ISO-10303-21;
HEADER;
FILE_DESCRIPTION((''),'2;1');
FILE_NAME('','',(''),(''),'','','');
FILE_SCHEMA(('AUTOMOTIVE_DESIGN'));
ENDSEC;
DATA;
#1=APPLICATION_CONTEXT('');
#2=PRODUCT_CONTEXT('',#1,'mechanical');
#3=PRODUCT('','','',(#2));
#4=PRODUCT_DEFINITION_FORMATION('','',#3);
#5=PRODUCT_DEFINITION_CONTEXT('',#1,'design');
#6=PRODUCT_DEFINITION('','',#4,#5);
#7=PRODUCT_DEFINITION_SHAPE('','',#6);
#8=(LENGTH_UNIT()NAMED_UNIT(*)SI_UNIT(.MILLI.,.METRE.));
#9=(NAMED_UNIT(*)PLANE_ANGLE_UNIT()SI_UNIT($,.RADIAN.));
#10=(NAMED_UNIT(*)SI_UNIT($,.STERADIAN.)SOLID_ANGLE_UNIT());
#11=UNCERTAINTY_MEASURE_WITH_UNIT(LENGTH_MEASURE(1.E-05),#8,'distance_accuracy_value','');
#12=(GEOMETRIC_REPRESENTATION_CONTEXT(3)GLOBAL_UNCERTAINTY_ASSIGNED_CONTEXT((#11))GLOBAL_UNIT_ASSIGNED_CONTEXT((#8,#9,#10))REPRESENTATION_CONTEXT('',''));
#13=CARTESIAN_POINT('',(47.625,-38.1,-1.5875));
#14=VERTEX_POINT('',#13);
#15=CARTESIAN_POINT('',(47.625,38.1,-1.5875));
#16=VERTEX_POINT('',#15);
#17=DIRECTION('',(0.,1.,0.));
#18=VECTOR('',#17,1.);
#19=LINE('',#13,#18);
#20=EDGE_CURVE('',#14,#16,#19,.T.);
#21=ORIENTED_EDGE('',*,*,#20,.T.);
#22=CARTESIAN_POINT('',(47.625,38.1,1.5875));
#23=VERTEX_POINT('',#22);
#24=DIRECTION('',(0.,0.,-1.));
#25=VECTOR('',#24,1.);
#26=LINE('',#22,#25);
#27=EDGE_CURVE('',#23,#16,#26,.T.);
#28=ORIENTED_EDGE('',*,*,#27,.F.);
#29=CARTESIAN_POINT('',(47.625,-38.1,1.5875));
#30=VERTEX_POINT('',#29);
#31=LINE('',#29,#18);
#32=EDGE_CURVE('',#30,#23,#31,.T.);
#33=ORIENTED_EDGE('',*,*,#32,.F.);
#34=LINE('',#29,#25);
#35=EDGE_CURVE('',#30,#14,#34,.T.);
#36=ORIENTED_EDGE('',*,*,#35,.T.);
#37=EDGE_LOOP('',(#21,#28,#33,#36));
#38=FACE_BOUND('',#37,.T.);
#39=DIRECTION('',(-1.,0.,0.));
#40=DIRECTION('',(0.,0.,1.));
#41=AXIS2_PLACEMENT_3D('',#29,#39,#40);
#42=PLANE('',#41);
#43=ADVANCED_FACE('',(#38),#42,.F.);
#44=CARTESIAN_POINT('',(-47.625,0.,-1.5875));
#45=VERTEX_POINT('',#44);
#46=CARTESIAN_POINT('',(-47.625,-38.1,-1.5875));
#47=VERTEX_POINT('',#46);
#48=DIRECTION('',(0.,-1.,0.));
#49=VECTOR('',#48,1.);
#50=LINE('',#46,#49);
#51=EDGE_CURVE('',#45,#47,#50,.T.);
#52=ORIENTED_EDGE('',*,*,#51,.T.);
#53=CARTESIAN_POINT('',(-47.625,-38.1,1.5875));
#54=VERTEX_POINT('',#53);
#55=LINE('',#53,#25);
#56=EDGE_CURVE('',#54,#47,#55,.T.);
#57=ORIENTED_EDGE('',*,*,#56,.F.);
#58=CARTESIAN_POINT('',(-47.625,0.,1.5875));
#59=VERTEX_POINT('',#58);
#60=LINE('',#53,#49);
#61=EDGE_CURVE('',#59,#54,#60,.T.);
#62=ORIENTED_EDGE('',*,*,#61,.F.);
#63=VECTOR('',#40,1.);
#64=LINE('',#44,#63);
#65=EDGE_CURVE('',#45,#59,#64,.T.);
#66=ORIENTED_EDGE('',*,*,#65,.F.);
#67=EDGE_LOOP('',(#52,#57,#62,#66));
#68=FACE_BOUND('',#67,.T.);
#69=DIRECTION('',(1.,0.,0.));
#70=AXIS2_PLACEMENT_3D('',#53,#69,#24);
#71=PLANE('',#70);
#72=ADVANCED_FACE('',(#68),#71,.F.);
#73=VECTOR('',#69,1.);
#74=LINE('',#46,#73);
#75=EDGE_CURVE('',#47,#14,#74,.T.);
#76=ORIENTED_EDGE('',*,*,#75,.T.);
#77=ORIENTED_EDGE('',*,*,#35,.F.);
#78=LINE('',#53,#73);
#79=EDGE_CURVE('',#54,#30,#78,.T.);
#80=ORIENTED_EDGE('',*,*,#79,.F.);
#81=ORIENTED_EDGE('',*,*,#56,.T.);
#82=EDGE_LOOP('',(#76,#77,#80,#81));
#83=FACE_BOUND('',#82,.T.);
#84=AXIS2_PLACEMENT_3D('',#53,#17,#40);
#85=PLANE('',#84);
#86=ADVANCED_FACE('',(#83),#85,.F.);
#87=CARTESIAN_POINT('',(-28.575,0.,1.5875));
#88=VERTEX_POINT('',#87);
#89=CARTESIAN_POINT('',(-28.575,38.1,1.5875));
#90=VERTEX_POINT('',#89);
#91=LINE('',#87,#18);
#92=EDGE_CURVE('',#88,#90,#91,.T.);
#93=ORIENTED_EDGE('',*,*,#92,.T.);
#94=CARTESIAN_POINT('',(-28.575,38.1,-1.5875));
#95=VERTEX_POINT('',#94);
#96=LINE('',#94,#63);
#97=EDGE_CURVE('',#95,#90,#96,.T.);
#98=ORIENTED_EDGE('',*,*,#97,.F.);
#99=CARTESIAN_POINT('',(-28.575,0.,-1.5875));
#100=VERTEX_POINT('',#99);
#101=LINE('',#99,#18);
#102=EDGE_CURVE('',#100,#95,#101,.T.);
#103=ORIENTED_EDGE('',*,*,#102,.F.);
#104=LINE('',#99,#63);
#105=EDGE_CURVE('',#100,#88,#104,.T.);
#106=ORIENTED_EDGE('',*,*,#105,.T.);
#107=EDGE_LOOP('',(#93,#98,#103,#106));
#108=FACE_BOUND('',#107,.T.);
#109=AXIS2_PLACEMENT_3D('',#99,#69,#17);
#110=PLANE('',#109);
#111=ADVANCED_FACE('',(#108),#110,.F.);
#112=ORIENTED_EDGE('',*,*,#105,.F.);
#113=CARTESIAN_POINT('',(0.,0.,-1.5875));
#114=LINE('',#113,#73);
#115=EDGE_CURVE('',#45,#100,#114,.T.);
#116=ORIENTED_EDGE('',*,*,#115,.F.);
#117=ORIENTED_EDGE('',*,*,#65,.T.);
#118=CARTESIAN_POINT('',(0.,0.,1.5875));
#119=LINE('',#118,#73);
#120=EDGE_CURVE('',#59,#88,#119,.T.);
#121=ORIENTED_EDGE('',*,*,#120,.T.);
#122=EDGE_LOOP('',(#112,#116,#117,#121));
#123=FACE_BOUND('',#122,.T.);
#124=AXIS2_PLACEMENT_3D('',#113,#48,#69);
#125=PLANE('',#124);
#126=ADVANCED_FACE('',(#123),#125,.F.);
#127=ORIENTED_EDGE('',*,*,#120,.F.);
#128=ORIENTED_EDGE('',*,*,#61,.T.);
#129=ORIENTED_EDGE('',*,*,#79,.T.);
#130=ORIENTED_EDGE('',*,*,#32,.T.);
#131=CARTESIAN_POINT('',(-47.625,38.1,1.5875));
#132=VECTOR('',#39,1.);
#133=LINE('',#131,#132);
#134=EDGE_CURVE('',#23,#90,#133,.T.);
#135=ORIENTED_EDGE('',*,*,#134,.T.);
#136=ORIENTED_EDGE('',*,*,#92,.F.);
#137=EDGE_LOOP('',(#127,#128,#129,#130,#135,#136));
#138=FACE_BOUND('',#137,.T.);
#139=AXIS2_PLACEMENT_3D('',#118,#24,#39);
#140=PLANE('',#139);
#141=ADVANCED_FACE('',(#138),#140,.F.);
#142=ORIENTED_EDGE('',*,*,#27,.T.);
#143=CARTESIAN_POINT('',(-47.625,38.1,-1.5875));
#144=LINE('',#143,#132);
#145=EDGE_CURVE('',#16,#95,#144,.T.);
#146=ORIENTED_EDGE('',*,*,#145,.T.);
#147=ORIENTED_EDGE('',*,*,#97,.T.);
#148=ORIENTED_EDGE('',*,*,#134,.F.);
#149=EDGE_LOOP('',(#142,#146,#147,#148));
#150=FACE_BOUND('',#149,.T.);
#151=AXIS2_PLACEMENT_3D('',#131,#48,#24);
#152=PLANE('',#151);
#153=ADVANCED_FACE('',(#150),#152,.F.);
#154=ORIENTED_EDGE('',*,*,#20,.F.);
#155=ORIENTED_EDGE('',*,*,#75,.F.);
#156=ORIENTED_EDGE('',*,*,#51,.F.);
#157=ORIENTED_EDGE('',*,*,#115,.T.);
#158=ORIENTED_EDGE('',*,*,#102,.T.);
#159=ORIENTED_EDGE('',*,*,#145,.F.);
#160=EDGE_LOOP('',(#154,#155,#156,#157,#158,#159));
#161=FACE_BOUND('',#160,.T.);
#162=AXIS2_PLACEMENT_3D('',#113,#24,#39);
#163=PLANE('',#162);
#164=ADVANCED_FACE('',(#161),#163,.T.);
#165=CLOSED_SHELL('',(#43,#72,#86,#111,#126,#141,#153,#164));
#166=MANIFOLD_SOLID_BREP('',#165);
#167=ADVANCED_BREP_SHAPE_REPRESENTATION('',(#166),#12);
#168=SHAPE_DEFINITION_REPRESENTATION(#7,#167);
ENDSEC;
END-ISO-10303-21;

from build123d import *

# Parameters (mm, degrees)
SKETCH1_W           = 95.25
SKETCH1_H           = 76.2
BOSS_EXTRUDE1_DEPTH = 1.5875
SKETCH2_W           = 19.05
SKETCH2_H           = 38.1
CUT_EXTRUDE1_DEPTH  = 3.175


with BuildPart() as part:
    # Sketch1 → Boss-Extrude1 (new, symmetric)
    with BuildSketch(Plane.XY):
        Rectangle(SKETCH1_W, SKETCH1_H)
    extrude(amount=BOSS_EXTRUDE1_DEPTH, both=True)

    # Sketch2 → Cut-Extrude1 (cut)
    with BuildSketch(Plane.XY.offset(1.5875)):
        with Locations((-38.1, 19.05)):
            Rectangle(SKETCH2_W, SKETCH2_H)
    extrude(amount=-CUT_EXTRUDE1_DEPTH, mode=Mode.SUBTRACT)


solid = part.part
